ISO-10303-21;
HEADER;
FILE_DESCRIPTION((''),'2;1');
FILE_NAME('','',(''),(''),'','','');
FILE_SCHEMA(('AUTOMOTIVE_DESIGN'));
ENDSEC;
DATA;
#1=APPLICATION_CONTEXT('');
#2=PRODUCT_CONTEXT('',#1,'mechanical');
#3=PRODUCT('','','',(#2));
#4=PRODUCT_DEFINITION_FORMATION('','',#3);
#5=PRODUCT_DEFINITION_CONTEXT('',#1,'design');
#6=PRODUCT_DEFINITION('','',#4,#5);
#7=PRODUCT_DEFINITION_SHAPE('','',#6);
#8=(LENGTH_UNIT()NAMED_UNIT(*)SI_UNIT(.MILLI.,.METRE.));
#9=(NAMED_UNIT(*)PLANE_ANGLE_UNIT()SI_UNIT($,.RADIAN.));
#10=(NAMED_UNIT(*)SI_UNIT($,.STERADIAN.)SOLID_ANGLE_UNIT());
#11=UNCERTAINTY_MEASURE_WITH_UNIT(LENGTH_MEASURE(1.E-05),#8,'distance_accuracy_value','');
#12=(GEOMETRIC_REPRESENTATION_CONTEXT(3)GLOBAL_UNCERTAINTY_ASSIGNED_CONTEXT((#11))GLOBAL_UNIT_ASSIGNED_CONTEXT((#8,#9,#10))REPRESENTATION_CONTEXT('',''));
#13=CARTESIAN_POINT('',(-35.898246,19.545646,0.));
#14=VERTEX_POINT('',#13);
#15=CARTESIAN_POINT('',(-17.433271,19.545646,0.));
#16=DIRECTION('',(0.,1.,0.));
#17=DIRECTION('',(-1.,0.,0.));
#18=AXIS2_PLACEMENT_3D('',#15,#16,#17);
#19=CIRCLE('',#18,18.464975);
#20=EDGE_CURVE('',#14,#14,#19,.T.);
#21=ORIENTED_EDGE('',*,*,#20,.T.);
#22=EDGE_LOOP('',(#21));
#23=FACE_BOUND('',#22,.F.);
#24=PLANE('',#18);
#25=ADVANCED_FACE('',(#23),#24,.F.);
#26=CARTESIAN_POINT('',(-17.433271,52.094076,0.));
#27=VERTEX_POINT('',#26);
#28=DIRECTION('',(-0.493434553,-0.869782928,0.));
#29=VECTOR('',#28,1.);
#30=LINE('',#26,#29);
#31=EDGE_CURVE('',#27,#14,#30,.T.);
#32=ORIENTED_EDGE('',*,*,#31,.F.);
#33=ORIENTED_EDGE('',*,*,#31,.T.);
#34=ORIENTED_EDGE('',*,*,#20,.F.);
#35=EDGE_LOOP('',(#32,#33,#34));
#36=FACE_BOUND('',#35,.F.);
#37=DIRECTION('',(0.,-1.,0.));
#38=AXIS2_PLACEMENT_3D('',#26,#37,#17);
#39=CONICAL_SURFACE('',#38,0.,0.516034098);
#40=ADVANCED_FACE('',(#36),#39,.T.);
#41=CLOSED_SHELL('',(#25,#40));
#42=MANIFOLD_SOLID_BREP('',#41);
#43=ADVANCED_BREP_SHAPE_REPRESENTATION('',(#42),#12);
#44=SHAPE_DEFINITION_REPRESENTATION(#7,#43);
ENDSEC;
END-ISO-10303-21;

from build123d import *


with BuildPart() as f1:
    # F0 (on Top) → F1 (revolve)
    with BuildSketch(Plane.XY):
        Polygon((-17.433271, 19.545646), (-17.433271, 52.094076), (-35.898246, 19.545646), align=None)
    revolve(axis=Axis((-17.433271, 35.819861, 0), (0, 1, 0)))


solid = f1.part
